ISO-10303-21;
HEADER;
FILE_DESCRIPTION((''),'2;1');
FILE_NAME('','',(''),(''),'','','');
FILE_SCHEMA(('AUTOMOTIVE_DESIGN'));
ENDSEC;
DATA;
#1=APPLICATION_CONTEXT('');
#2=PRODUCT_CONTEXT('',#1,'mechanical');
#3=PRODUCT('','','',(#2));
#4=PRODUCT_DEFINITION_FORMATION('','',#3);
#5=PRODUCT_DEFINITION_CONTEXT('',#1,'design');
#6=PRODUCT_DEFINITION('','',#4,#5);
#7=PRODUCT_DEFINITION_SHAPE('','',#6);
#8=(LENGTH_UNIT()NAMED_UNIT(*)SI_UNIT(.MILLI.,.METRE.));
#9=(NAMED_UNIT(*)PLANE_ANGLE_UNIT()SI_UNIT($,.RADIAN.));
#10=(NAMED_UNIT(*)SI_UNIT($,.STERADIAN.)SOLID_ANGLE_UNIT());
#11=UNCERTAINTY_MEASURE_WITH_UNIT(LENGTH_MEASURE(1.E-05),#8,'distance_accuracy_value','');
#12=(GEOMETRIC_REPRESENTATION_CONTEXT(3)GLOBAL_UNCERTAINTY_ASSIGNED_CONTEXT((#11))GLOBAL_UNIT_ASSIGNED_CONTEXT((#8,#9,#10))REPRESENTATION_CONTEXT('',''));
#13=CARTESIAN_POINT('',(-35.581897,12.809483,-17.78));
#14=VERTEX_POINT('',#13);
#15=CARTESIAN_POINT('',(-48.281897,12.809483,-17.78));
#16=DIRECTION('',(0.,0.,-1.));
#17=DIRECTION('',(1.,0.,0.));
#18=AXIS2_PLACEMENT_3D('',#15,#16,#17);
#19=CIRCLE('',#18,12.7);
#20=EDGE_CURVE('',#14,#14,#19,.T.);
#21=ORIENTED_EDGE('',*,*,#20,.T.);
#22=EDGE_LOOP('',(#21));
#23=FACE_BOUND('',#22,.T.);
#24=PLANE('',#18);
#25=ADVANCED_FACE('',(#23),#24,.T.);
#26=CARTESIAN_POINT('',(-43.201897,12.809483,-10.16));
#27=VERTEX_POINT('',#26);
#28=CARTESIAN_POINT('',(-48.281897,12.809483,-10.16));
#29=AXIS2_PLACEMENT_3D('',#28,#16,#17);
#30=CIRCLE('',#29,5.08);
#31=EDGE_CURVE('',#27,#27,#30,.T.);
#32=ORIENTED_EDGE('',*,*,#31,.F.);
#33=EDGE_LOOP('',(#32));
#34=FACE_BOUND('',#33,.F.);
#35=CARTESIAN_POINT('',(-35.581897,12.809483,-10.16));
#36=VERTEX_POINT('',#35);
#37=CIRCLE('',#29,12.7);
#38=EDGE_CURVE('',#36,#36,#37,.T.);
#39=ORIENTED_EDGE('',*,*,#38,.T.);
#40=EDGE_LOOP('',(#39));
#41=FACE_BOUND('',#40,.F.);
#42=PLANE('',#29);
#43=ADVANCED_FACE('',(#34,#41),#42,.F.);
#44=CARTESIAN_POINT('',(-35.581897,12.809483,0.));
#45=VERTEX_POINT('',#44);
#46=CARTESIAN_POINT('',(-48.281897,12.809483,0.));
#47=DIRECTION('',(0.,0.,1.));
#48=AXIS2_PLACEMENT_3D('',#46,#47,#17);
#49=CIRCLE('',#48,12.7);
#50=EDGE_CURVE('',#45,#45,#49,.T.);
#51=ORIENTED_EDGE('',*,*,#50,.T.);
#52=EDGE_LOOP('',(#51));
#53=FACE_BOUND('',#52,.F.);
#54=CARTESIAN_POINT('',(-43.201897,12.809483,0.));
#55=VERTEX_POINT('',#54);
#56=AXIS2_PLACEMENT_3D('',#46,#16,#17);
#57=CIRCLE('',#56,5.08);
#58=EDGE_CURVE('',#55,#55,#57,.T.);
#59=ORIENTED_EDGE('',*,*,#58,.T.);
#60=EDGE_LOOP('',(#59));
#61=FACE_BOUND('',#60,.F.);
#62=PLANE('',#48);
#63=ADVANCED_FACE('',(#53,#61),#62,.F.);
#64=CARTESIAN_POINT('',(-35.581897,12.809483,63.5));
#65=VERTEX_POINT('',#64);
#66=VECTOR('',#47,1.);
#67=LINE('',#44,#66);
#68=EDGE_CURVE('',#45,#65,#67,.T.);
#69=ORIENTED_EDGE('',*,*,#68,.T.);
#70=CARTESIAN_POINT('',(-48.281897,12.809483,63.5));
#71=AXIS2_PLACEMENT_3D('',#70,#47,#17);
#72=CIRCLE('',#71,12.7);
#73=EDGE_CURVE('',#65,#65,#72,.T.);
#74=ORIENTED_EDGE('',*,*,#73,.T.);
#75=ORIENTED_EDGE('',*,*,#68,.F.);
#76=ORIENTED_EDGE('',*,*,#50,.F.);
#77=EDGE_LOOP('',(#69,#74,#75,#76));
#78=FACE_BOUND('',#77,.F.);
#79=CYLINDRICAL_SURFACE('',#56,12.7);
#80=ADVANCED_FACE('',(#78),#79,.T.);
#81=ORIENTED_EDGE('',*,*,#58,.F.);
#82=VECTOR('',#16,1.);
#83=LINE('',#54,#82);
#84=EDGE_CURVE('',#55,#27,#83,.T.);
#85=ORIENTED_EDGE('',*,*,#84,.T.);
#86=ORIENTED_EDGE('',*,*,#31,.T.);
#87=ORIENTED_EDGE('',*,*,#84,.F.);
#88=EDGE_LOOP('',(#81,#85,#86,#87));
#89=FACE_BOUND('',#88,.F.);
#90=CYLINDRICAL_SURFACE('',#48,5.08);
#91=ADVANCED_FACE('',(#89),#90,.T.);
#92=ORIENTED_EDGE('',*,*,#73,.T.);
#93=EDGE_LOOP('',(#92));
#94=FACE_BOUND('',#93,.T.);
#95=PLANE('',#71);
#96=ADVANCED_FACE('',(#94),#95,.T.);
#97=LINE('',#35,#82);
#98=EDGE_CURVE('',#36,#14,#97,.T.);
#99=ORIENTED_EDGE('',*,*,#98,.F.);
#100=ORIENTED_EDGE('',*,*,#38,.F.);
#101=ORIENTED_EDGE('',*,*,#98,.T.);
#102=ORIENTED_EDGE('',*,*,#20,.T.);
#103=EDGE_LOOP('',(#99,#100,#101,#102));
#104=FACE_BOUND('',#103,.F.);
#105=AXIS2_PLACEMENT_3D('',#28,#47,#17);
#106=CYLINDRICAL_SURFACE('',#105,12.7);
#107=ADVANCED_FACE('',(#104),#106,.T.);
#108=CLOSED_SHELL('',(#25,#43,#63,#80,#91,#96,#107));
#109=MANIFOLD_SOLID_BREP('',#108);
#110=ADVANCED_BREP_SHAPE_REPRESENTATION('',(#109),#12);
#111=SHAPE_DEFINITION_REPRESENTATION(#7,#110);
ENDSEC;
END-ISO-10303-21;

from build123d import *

# Parameters (mm, degrees)
F0_R     = 12.7
F1_DEPTH = 63.5
F2_R     = 5.08
F3_DEPTH = 10.16
F4_R     = 12.7
F4_R_2   = 5.08
F5_DEPTH = 7.62


with BuildPart() as f1:
    # F0 (on Top) → F1 (new body)
    with BuildSketch(Plane.XY):
        with Locations((-48.281897, 12.809483)):
            Circle(F0_R)
    extrude(amount=F1_DEPTH)

    # F2 (on face) → F3 (join)
    with BuildSketch(Plane(origin=(0, 0, 0), x_dir=(1, 0, 0), z_dir=(0, 0, -1))):
        with Locations((-48.281897, -12.809483)):
            Circle(F2_R)
    extrude(amount=F3_DEPTH)

    # F4 (on face) → F5 (join)
    with BuildSketch(Plane(origin=(0, 0, -10.16), x_dir=(1, 0, 0), z_dir=(0, 0, -1))):
        with Locations((-48.281897, -12.809483)):
            Circle(F4_R)
        with Locations((-48.281897, -12.809483)):
            Circle(F4_R_2, mode=Mode.SUBTRACT)
        with Locations((-48.281897, -12.809483)):
            Circle(F4_R_2)
    extrude(amount=F5_DEPTH)


solid = f1.part
